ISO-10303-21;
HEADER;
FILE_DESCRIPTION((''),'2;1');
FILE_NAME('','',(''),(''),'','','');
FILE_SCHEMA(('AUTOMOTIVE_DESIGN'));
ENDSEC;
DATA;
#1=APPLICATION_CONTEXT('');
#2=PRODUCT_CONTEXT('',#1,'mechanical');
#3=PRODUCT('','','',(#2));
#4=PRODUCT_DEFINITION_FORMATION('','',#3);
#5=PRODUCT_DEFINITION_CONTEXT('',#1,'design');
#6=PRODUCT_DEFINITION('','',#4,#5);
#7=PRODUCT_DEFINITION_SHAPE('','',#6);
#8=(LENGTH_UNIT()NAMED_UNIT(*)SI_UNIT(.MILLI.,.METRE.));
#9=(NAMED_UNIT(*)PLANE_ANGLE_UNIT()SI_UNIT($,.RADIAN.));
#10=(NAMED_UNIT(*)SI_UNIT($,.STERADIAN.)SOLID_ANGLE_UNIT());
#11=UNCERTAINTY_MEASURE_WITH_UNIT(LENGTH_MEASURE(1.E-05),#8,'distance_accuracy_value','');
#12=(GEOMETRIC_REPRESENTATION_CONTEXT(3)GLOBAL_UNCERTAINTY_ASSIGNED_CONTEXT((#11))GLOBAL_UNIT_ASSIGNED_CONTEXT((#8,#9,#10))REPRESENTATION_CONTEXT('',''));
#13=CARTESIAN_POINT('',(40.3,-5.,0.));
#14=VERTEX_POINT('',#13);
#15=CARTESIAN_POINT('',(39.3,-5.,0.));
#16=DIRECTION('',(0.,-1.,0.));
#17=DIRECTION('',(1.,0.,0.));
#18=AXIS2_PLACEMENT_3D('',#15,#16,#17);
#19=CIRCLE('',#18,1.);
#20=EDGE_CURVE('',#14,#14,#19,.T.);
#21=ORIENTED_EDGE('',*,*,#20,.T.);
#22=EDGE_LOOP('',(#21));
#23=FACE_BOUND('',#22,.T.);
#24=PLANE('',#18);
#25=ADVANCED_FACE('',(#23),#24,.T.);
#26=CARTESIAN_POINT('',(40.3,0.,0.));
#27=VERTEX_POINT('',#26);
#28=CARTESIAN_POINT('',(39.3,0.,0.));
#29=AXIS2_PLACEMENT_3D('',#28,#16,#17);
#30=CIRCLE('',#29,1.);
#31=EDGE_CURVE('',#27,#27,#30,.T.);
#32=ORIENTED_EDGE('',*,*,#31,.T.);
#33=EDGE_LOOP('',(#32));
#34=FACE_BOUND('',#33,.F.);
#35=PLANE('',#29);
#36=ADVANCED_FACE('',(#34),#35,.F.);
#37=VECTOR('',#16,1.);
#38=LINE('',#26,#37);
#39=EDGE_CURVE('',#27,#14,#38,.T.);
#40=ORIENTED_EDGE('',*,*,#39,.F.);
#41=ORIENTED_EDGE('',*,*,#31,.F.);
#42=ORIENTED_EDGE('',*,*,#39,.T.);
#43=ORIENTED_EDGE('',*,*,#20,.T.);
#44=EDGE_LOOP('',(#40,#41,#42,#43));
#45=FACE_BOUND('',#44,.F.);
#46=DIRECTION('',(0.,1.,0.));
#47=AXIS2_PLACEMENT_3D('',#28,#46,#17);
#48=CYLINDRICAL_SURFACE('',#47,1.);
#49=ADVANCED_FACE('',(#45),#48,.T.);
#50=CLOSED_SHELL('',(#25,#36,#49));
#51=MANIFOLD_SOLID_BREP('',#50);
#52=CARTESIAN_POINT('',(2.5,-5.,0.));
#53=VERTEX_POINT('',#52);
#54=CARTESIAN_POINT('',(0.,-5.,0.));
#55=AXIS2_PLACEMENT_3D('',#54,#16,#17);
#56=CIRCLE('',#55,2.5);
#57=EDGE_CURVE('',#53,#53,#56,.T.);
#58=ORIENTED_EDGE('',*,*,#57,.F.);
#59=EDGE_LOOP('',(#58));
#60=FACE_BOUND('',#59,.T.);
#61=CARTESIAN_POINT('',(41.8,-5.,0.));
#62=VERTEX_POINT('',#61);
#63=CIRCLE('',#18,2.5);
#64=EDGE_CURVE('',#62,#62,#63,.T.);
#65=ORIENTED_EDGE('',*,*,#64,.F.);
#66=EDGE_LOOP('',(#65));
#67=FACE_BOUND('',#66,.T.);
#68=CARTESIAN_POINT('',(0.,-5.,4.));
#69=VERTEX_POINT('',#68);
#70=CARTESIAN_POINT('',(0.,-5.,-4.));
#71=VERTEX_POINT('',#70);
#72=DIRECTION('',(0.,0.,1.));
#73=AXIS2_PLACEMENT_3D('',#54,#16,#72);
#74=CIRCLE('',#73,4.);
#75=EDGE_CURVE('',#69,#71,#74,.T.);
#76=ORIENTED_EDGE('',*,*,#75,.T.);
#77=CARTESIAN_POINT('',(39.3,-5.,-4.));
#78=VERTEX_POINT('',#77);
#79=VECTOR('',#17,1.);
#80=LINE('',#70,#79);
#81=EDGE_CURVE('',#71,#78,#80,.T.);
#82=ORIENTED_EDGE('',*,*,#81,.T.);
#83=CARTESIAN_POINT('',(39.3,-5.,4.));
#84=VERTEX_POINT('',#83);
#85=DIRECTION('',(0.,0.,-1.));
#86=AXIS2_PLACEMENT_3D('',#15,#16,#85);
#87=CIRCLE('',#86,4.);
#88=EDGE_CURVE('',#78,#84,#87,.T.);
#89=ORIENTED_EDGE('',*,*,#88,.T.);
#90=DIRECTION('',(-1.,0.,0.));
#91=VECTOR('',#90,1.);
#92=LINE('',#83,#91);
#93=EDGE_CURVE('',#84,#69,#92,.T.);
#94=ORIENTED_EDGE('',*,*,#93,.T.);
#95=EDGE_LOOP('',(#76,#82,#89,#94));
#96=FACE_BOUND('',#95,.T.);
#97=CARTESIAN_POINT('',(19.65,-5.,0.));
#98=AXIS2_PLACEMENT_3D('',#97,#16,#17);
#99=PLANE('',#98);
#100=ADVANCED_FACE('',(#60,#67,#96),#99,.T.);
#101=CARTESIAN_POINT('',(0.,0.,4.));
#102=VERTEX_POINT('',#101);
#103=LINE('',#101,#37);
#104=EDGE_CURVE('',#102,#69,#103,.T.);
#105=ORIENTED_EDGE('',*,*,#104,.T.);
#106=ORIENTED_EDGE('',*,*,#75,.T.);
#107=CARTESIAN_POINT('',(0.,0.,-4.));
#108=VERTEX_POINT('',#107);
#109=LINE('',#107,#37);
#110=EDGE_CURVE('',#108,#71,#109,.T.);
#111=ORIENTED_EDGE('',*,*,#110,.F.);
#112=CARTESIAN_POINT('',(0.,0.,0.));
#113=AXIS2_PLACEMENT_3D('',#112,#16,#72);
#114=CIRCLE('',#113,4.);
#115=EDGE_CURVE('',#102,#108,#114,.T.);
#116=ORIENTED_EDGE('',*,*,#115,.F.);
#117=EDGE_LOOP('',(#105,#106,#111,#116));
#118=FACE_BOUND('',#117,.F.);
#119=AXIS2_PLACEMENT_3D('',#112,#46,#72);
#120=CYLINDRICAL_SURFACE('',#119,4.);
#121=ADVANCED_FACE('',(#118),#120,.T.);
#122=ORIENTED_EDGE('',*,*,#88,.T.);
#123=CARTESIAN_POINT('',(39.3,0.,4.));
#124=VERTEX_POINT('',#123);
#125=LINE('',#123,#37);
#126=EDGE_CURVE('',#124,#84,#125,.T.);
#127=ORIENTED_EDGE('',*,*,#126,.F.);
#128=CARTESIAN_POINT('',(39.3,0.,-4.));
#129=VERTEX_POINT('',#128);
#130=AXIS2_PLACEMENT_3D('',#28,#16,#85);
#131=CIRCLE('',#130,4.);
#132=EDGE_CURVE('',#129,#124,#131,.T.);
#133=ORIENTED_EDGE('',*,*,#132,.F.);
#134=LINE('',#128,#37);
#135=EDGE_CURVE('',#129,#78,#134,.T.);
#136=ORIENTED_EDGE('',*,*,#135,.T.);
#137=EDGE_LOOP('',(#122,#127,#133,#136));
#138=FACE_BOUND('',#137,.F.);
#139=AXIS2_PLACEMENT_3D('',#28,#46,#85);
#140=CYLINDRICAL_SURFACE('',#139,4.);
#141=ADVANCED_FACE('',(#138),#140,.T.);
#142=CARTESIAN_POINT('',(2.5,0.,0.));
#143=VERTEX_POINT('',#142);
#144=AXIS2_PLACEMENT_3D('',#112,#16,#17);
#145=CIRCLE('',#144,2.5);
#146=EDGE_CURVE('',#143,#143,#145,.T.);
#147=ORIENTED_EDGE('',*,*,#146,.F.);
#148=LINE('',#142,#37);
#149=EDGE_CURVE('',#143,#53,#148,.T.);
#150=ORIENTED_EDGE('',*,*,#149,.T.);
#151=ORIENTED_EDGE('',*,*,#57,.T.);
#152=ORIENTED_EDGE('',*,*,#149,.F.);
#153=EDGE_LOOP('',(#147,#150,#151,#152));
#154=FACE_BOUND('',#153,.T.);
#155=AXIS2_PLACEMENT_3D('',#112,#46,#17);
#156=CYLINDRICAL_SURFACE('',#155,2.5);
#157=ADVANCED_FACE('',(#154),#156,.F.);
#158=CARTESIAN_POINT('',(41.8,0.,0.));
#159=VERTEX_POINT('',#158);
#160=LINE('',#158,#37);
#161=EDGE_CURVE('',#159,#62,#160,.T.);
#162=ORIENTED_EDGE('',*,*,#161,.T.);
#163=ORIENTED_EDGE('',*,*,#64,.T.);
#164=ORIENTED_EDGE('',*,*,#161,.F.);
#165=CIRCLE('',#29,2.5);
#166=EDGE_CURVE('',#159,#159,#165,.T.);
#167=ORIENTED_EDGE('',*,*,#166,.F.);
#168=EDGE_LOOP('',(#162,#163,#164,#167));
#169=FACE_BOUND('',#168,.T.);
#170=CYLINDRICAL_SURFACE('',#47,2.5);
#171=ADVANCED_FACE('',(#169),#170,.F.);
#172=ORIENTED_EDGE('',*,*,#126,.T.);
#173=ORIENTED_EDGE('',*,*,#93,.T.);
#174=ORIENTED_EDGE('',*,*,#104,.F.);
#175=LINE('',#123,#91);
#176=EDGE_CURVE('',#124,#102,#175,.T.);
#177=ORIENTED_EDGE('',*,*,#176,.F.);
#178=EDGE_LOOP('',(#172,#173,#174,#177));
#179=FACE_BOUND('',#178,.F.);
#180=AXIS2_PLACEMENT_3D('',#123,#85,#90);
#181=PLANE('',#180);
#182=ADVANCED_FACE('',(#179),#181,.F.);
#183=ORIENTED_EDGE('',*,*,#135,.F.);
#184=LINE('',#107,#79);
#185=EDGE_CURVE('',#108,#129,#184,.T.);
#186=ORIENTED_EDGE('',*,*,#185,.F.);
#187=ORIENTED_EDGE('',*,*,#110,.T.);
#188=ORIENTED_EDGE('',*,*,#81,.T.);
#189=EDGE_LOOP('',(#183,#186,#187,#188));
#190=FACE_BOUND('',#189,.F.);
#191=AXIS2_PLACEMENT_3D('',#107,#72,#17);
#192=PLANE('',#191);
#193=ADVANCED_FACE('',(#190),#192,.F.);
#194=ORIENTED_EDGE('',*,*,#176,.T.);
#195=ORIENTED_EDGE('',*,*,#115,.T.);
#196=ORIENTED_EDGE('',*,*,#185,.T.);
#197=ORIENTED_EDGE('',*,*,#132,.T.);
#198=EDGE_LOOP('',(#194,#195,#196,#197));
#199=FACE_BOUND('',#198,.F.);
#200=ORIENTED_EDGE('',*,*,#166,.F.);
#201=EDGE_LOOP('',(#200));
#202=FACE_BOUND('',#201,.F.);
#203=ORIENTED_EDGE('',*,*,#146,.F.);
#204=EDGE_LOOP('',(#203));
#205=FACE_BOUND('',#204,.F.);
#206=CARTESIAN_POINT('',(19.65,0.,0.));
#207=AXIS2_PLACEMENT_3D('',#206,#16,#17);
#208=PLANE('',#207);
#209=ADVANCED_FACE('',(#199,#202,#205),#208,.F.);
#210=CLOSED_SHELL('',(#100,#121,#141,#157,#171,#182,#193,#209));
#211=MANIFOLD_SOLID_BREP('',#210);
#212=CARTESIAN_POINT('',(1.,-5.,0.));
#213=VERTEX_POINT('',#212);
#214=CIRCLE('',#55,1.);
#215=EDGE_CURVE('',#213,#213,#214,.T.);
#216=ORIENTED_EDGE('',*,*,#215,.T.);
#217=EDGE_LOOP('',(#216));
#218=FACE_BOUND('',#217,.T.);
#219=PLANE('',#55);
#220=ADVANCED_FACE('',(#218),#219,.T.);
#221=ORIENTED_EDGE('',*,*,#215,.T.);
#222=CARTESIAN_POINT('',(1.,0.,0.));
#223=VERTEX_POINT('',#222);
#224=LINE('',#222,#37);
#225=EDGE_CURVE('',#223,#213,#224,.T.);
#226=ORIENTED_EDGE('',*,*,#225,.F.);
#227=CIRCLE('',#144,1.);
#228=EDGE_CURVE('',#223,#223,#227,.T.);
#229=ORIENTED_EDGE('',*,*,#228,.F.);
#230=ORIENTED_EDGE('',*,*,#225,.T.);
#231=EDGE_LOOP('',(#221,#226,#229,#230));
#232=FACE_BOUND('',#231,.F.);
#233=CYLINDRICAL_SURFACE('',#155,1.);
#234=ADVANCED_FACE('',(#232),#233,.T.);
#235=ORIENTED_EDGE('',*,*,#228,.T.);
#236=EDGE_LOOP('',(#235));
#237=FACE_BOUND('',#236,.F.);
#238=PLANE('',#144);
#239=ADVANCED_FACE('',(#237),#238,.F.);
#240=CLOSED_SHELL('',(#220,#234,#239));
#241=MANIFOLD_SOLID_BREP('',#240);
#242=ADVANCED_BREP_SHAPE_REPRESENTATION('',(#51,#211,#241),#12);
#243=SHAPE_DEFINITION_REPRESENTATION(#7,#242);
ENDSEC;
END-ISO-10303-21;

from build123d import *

# Parameters (mm, degrees)
F0_R     = 2.5
F0_R_2   = 1
F1_DEPTH = 5


with BuildPart() as f1:
    # F0 (on Front) → F1 (new body)
    with BuildSketch(Plane.XZ):
        with BuildLine():
            ThreePointArc((0, 4), (-4, 0), (0, -4))
            Line((0, -4), (39.3, -4))
            ThreePointArc((39.3, -4), (43.3, 0), (39.3, 4))
            Line((39.3, 4), (0, 4))
        make_face()
        Circle(F0_R, mode=Mode.SUBTRACT)
        with Locations((39.3, 0)):
            Circle(F0_R, mode=Mode.SUBTRACT)
        Circle(F0_R_2)
        with Locations((39.3, 0)):
            Circle(F0_R_2)
    extrude(amount=F1_DEPTH)


solid = f1.part
